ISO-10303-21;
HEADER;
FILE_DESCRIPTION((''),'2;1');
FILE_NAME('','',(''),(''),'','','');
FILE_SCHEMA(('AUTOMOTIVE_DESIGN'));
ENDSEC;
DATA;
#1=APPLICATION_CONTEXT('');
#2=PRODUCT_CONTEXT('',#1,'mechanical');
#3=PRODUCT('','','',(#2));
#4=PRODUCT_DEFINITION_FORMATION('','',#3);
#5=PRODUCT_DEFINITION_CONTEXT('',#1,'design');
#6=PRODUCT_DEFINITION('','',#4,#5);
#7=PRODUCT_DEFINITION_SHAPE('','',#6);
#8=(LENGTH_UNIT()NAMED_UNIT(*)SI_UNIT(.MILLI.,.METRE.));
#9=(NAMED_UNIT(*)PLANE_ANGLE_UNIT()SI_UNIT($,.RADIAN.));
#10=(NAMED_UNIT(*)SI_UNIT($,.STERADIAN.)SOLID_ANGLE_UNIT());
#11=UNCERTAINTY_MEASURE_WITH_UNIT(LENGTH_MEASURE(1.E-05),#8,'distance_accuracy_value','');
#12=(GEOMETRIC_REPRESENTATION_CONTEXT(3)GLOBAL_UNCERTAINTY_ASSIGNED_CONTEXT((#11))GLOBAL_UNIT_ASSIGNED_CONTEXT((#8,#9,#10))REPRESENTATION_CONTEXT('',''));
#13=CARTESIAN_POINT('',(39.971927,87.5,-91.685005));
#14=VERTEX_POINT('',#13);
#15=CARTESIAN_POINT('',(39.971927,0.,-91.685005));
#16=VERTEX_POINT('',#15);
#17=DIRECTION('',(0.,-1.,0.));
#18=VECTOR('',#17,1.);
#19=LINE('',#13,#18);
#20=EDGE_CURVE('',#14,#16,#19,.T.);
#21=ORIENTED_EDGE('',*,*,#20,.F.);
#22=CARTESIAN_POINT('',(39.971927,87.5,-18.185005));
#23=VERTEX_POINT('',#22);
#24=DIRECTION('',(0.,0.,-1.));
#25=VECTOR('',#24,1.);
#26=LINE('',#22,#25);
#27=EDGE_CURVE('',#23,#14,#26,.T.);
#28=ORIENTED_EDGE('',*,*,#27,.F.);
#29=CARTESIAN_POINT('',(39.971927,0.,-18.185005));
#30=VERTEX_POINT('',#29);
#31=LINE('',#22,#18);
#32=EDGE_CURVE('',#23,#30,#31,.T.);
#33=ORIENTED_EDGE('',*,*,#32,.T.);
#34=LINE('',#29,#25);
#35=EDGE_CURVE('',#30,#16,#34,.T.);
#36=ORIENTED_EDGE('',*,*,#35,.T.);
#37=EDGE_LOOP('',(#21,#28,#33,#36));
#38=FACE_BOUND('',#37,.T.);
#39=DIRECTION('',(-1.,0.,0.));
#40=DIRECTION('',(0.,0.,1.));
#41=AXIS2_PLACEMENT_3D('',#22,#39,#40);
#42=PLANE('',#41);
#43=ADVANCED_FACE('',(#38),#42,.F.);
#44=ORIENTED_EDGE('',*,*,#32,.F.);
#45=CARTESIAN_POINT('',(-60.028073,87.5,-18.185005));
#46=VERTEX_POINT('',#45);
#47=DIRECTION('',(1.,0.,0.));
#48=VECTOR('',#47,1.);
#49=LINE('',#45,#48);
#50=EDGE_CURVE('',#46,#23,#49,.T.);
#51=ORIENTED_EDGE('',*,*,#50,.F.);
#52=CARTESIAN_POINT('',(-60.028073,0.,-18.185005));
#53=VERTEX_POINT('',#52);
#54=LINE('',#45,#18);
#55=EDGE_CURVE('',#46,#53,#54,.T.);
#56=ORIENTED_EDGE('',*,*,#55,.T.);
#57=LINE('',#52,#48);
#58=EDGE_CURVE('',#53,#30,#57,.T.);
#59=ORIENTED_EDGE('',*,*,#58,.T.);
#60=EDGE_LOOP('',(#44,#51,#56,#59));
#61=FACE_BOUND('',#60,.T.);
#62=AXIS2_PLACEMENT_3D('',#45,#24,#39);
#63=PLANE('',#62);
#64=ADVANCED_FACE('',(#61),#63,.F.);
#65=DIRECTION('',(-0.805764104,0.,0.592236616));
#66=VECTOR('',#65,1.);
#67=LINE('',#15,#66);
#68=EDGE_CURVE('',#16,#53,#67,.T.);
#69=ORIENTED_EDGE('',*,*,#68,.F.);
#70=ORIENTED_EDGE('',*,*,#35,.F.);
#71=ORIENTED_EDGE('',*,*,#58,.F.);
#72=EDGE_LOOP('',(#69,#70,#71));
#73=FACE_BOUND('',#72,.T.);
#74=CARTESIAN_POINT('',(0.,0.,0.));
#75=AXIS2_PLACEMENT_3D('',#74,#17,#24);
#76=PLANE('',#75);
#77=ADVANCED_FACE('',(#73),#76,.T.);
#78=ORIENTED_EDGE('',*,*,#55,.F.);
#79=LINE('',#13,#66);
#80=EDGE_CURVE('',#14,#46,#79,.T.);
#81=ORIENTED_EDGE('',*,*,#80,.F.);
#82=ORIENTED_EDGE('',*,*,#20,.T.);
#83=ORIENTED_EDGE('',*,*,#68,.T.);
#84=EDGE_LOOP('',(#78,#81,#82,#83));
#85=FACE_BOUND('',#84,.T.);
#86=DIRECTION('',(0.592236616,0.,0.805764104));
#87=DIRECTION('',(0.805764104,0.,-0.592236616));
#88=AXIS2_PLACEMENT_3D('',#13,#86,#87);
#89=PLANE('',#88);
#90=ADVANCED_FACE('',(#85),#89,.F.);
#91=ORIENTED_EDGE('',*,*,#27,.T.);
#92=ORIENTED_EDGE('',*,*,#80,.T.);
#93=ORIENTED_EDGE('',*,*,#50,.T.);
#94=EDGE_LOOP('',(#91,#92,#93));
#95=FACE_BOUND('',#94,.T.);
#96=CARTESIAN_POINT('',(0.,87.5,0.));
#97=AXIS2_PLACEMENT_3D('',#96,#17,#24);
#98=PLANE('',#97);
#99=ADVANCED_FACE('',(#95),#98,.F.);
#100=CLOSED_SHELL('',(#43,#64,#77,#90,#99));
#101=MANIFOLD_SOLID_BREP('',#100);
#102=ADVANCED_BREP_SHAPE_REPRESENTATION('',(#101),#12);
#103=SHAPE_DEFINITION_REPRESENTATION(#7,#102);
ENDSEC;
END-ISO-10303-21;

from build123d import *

# Parameters (mm, degrees)
BOSS_EXTRUDE2_DEPTH = 87.5


with BuildPart() as part:
    # Sketch2 → Boss-Extrude2 (new body)
    with BuildSketch(Plane(origin=(0, 0, 0), x_dir=(1, 0, 0), z_dir=(0, 1, 0))):
        Polygon((-60.028073005, 18.185004988), (39.971926995, 18.185004988), (39.971926995, 91.685004988), align=None)
    extrude(amount=BOSS_EXTRUDE2_DEPTH)


solid = part.part
